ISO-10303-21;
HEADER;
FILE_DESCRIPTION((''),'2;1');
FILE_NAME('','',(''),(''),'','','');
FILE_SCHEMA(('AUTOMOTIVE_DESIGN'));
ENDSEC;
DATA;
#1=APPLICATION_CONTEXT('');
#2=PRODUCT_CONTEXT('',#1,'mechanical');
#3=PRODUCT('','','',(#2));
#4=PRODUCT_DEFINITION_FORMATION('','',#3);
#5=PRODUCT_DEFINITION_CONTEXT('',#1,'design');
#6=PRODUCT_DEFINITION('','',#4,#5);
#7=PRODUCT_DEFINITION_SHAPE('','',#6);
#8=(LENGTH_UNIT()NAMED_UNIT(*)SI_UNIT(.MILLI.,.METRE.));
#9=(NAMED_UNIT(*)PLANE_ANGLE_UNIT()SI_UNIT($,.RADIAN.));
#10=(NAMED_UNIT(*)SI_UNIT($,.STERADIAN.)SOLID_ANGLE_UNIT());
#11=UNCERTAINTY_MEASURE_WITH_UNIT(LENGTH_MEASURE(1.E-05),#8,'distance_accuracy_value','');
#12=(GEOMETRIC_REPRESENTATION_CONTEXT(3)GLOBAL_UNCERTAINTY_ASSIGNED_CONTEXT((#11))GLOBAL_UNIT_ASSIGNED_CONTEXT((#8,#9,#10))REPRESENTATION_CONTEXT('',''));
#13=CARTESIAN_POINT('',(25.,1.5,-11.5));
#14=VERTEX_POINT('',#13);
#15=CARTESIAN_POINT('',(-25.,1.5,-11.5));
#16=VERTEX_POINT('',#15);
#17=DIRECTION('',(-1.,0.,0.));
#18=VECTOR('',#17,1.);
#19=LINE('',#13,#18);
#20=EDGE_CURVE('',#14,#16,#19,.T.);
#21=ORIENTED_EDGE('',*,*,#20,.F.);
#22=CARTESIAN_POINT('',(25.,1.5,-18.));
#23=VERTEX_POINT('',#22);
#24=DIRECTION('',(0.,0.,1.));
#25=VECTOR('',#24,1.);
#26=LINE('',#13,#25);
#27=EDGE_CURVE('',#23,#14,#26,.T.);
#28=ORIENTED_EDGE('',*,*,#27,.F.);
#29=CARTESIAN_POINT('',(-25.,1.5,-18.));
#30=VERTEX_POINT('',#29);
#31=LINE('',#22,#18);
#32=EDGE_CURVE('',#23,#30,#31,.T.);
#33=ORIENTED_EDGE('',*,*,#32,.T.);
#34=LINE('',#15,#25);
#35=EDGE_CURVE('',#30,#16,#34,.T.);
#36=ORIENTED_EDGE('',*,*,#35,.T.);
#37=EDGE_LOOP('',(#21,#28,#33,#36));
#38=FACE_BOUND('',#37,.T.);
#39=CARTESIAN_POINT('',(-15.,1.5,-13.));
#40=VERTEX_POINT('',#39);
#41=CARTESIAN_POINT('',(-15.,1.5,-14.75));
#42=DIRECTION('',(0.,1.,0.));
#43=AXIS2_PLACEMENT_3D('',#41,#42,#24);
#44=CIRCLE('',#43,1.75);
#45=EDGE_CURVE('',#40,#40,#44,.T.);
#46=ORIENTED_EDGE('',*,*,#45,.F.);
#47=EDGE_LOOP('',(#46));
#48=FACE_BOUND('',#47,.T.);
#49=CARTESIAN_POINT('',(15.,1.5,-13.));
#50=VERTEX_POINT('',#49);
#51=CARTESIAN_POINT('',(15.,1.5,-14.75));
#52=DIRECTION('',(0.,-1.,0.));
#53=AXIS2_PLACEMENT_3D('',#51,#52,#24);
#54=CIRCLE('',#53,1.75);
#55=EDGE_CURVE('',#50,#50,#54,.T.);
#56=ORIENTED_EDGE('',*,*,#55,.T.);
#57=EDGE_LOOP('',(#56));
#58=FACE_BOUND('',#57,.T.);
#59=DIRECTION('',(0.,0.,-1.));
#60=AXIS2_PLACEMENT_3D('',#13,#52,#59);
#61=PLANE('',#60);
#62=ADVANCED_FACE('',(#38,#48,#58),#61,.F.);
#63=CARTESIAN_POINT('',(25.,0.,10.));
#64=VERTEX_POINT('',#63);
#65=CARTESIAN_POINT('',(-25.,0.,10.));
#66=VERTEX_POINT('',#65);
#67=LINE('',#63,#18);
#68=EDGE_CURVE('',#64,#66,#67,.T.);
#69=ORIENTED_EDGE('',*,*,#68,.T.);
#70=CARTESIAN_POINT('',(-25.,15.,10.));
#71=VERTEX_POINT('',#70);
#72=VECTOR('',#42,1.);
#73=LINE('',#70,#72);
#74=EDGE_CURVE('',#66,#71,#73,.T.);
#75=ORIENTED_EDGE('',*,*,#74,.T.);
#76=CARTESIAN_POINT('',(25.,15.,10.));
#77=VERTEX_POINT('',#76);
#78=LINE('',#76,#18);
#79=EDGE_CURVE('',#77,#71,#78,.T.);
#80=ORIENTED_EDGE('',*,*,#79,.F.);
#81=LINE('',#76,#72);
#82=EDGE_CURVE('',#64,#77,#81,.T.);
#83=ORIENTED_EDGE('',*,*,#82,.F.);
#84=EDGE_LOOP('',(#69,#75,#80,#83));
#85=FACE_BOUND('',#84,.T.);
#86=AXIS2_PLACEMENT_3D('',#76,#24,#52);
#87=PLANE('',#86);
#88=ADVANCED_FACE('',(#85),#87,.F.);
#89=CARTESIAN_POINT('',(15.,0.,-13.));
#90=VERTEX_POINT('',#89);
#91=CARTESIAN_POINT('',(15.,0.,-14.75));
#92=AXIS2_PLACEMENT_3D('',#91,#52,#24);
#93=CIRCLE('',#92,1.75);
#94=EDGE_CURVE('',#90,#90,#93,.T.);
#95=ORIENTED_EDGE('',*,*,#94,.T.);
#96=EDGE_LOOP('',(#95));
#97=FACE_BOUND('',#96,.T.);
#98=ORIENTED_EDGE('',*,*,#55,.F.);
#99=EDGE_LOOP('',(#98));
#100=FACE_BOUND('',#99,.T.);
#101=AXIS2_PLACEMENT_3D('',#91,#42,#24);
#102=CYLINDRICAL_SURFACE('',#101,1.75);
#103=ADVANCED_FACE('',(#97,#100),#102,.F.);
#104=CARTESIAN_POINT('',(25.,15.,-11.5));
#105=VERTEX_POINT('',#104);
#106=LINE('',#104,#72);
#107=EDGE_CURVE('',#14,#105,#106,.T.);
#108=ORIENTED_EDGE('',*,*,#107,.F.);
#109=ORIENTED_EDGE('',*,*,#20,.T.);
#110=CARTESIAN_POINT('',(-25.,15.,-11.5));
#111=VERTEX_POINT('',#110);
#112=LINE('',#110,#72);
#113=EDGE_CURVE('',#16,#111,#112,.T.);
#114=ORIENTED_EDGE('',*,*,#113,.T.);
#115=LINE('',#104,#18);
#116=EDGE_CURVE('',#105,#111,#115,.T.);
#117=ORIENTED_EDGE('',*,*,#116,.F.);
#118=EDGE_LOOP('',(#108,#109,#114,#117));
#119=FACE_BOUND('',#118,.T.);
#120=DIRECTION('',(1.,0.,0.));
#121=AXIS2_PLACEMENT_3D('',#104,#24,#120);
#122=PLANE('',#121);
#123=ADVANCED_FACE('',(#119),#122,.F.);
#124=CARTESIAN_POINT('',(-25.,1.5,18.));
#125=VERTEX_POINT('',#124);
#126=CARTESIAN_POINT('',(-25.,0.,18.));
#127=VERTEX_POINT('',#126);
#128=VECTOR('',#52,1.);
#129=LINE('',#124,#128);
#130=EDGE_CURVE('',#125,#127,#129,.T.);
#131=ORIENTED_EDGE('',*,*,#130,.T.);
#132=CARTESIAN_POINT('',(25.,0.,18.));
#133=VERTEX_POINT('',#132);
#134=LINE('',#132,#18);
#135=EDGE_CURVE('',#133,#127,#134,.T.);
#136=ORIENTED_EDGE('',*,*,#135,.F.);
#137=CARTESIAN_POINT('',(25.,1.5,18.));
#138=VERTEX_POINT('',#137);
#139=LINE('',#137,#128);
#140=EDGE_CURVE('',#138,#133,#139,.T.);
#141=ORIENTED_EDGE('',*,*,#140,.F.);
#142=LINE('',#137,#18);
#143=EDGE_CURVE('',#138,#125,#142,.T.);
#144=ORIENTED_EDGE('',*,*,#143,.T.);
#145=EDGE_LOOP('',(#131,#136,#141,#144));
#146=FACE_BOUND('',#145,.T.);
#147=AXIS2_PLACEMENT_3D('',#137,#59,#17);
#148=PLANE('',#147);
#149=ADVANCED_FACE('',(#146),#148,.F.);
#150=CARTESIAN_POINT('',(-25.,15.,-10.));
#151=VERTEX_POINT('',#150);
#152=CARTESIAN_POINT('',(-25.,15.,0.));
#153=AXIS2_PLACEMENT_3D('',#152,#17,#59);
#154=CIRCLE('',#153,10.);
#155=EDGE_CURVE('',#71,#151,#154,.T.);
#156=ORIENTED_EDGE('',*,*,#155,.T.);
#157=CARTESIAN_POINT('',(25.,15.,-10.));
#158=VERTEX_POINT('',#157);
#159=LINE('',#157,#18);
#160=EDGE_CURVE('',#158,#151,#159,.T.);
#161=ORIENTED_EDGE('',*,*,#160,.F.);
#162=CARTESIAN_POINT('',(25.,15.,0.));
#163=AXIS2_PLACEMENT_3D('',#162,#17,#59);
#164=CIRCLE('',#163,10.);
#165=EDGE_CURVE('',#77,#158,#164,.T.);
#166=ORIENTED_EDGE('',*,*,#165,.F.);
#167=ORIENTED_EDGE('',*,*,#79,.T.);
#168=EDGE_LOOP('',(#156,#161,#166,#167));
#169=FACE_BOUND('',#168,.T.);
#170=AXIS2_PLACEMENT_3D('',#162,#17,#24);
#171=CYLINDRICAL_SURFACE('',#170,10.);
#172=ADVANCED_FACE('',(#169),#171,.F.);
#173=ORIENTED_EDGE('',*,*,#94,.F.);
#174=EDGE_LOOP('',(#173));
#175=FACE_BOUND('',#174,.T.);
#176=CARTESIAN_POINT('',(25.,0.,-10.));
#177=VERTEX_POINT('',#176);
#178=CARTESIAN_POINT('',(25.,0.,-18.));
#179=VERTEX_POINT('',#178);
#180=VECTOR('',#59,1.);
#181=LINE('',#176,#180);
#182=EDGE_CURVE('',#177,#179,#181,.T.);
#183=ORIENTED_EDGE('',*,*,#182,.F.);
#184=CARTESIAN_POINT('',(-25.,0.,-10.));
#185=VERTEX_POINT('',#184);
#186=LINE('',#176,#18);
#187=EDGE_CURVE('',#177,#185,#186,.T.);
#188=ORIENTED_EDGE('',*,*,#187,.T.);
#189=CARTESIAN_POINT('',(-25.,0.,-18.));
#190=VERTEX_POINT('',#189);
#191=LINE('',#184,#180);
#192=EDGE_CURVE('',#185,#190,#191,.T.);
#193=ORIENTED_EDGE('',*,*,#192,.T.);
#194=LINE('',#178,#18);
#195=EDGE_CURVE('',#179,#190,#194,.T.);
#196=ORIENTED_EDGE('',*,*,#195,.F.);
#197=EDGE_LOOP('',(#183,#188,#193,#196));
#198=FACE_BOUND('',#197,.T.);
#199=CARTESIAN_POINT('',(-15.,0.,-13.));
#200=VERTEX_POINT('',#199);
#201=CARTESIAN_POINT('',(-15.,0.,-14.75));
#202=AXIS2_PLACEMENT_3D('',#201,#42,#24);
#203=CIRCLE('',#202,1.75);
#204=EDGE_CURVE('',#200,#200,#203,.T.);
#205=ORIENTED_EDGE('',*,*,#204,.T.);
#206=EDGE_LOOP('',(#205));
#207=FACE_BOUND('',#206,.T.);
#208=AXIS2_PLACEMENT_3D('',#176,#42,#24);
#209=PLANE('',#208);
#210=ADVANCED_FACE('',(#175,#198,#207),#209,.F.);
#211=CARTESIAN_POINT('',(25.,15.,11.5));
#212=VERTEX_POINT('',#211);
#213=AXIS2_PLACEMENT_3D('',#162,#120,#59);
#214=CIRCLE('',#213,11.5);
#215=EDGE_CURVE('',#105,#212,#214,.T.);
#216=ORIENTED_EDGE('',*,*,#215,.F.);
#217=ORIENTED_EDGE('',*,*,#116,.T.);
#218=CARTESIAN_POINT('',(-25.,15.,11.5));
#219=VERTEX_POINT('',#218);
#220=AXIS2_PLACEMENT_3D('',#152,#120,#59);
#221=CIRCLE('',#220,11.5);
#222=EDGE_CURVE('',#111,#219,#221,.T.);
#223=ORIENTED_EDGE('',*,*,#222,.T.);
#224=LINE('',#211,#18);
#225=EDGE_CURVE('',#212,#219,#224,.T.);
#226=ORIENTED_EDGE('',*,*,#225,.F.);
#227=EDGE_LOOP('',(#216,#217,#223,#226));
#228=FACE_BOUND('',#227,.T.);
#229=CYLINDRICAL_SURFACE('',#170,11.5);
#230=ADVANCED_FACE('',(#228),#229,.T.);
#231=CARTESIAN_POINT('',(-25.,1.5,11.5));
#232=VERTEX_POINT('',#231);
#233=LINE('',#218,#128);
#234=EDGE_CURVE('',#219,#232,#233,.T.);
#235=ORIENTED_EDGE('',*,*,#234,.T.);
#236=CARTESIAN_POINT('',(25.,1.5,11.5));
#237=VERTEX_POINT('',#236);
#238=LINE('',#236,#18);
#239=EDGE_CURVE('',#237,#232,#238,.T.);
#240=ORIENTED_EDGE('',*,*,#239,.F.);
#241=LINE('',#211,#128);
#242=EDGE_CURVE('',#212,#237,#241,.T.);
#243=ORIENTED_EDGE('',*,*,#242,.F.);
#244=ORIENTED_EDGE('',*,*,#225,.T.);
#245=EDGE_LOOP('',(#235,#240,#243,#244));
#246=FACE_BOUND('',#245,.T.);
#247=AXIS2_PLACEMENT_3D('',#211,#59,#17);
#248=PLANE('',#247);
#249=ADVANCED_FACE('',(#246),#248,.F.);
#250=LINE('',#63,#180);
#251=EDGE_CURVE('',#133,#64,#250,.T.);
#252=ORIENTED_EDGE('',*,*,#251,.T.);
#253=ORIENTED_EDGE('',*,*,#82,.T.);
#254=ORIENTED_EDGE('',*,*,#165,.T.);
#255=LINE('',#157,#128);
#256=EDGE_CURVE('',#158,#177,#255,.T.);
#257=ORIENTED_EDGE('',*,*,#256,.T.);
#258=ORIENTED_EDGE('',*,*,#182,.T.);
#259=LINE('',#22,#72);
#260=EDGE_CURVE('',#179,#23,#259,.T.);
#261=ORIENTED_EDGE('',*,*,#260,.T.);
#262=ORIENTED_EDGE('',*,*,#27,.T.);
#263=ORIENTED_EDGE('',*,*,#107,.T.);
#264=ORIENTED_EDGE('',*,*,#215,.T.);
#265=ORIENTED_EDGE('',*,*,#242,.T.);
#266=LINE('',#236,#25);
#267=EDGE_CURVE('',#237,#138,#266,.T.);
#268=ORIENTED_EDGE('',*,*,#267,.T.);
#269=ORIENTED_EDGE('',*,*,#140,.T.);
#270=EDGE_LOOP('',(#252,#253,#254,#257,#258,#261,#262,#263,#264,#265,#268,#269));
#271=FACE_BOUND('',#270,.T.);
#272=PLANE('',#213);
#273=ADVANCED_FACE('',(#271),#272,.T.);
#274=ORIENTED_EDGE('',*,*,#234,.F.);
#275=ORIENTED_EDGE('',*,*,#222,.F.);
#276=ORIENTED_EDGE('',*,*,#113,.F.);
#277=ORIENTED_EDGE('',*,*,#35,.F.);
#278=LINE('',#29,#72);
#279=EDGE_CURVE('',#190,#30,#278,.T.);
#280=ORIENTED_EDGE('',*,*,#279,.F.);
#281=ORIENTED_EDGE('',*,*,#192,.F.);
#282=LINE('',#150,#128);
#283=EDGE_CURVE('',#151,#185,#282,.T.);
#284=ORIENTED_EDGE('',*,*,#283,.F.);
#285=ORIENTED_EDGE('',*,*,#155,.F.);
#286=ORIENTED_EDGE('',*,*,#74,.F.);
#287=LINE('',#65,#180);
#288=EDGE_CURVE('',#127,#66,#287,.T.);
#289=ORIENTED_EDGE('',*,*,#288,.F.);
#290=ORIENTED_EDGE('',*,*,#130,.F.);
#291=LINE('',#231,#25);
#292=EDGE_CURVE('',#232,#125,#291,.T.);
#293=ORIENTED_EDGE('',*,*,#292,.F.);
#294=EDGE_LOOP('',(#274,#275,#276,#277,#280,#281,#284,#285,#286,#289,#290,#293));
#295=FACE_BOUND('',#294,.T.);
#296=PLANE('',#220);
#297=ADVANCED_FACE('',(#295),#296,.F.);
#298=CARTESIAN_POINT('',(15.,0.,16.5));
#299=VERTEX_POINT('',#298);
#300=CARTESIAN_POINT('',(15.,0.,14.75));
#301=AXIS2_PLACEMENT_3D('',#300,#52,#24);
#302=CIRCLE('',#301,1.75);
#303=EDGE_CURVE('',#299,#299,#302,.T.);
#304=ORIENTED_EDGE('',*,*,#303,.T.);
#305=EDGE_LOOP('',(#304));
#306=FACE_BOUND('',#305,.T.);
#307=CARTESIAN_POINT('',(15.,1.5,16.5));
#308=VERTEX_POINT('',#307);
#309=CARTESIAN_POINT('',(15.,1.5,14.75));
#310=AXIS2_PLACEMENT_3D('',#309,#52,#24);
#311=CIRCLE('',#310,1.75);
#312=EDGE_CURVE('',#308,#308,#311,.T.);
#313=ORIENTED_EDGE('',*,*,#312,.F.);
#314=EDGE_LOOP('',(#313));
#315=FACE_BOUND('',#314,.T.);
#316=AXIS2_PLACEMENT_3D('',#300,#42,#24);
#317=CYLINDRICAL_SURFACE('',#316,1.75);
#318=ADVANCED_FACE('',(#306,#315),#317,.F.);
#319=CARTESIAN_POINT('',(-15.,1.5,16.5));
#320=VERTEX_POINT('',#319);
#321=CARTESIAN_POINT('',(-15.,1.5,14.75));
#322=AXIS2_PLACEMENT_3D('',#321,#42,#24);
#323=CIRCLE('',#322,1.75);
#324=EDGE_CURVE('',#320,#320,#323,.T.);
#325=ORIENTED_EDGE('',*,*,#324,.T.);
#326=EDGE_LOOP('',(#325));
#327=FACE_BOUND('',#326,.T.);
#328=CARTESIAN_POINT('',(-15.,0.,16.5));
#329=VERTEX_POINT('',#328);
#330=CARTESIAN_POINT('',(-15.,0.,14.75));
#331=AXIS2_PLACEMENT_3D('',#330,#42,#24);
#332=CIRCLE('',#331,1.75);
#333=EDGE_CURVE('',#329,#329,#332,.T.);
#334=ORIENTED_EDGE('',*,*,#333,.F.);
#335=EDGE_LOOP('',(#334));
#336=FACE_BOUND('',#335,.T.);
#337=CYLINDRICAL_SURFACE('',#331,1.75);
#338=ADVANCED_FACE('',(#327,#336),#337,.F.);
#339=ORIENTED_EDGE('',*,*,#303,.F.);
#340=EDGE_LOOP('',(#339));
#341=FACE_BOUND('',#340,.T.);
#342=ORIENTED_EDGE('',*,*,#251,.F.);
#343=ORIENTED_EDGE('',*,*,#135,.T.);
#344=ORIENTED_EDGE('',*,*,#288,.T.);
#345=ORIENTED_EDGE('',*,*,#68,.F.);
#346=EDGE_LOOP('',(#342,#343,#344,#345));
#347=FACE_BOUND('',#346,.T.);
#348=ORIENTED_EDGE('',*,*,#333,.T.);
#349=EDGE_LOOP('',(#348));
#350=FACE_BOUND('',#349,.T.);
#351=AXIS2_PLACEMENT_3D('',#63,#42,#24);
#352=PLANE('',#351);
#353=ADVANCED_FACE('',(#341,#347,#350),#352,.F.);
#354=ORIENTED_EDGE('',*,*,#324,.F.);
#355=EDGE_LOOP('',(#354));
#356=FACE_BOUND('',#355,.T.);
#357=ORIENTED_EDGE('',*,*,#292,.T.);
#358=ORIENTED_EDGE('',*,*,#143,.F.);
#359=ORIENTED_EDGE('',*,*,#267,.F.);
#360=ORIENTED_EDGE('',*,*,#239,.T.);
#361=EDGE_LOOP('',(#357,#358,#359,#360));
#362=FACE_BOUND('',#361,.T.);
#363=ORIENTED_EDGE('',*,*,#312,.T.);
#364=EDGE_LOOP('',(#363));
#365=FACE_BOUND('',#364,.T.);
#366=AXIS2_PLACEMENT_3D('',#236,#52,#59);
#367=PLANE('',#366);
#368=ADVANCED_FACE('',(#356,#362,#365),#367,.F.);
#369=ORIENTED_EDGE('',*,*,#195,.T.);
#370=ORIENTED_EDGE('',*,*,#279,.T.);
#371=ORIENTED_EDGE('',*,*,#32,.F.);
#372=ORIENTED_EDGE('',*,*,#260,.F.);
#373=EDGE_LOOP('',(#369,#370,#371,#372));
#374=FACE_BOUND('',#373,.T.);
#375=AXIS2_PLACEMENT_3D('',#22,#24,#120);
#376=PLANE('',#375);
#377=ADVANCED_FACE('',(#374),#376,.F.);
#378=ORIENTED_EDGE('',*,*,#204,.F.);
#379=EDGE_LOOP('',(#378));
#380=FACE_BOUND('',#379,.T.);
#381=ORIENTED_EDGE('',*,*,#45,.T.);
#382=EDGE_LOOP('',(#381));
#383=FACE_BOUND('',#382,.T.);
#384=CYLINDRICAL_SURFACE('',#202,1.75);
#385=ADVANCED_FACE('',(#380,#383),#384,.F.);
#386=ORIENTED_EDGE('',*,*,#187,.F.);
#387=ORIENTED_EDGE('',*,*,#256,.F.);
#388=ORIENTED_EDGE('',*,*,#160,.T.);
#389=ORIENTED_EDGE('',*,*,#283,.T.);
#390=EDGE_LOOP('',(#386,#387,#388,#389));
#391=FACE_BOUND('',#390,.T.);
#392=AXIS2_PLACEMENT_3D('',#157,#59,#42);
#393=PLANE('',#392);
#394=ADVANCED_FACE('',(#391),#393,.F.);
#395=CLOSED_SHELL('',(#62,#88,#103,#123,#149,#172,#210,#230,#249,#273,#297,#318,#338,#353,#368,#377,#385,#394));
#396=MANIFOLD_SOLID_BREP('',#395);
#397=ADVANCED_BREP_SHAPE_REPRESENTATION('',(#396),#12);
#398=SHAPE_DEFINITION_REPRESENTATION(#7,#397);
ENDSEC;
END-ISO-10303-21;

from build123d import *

# Parameters (mm, degrees)
BOSS_EXTRUDE1_DEPTH = 25
SKETCH2_R           = 1.75
CUT_EXTRUDE1_DEPTH  = 40.67366885


with BuildPart() as part:
    # Sketch1 → Boss-Extrude1 (new, symmetric)
    with BuildSketch(Plane(origin=(0, 0, 0), x_dir=(0, 0, -1), z_dir=(1, 0, 0))):
        with BuildLine():
            Line((-10, 15), (-10, 0))
            Line((-10, 0), (-18, 0))
            Line((-18, 0), (-18, 1.5))
            Line((-18, 1.5), (-11.5, 1.5))
            Line((-11.5, 1.5), (-11.5, 15))
            ThreePointArc((-11.5, 15), (0, 26.5), (11.5, 15))
            Line((11.5, 15), (11.5, 1.5))
            Line((11.5, 1.5), (18, 1.5))
            Line((18, 1.5), (18, 0))
            Line((18, 0), (10, 0))
            Line((10, 0), (10, 15))
            ThreePointArc((10, 15), (0, 25), (-10, 15))
        make_face()
    extrude(amount=BOSS_EXTRUDE1_DEPTH, both=True)

    # Sketch2 → Cut-Extrude1 (cut, through all)
    with BuildSketch(Plane(origin=(0, 1.5, 0), x_dir=(1, 0, 0), z_dir=(0, 1, 0))):
        with Locations(Location((-15, 14.75, 0), (0, 0, 270))):
            Circle(SKETCH2_R)
        with Locations(Location((-15, -14.75, 0), (0, 0, 270))):
            Circle(SKETCH2_R)
    cut_extrude1 = extrude(amount=-CUT_EXTRUDE1_DEPTH, mode=Mode.SUBTRACT)

    # Mirror1: Cut-Extrude1 across plane
    add(cut_extrude1.mirror(Plane(origin=(0, 0, 0), x_dir=(0, 0, 1), z_dir=(1, 0, 0))), mode=Mode.SUBTRACT)


solid = part.part
